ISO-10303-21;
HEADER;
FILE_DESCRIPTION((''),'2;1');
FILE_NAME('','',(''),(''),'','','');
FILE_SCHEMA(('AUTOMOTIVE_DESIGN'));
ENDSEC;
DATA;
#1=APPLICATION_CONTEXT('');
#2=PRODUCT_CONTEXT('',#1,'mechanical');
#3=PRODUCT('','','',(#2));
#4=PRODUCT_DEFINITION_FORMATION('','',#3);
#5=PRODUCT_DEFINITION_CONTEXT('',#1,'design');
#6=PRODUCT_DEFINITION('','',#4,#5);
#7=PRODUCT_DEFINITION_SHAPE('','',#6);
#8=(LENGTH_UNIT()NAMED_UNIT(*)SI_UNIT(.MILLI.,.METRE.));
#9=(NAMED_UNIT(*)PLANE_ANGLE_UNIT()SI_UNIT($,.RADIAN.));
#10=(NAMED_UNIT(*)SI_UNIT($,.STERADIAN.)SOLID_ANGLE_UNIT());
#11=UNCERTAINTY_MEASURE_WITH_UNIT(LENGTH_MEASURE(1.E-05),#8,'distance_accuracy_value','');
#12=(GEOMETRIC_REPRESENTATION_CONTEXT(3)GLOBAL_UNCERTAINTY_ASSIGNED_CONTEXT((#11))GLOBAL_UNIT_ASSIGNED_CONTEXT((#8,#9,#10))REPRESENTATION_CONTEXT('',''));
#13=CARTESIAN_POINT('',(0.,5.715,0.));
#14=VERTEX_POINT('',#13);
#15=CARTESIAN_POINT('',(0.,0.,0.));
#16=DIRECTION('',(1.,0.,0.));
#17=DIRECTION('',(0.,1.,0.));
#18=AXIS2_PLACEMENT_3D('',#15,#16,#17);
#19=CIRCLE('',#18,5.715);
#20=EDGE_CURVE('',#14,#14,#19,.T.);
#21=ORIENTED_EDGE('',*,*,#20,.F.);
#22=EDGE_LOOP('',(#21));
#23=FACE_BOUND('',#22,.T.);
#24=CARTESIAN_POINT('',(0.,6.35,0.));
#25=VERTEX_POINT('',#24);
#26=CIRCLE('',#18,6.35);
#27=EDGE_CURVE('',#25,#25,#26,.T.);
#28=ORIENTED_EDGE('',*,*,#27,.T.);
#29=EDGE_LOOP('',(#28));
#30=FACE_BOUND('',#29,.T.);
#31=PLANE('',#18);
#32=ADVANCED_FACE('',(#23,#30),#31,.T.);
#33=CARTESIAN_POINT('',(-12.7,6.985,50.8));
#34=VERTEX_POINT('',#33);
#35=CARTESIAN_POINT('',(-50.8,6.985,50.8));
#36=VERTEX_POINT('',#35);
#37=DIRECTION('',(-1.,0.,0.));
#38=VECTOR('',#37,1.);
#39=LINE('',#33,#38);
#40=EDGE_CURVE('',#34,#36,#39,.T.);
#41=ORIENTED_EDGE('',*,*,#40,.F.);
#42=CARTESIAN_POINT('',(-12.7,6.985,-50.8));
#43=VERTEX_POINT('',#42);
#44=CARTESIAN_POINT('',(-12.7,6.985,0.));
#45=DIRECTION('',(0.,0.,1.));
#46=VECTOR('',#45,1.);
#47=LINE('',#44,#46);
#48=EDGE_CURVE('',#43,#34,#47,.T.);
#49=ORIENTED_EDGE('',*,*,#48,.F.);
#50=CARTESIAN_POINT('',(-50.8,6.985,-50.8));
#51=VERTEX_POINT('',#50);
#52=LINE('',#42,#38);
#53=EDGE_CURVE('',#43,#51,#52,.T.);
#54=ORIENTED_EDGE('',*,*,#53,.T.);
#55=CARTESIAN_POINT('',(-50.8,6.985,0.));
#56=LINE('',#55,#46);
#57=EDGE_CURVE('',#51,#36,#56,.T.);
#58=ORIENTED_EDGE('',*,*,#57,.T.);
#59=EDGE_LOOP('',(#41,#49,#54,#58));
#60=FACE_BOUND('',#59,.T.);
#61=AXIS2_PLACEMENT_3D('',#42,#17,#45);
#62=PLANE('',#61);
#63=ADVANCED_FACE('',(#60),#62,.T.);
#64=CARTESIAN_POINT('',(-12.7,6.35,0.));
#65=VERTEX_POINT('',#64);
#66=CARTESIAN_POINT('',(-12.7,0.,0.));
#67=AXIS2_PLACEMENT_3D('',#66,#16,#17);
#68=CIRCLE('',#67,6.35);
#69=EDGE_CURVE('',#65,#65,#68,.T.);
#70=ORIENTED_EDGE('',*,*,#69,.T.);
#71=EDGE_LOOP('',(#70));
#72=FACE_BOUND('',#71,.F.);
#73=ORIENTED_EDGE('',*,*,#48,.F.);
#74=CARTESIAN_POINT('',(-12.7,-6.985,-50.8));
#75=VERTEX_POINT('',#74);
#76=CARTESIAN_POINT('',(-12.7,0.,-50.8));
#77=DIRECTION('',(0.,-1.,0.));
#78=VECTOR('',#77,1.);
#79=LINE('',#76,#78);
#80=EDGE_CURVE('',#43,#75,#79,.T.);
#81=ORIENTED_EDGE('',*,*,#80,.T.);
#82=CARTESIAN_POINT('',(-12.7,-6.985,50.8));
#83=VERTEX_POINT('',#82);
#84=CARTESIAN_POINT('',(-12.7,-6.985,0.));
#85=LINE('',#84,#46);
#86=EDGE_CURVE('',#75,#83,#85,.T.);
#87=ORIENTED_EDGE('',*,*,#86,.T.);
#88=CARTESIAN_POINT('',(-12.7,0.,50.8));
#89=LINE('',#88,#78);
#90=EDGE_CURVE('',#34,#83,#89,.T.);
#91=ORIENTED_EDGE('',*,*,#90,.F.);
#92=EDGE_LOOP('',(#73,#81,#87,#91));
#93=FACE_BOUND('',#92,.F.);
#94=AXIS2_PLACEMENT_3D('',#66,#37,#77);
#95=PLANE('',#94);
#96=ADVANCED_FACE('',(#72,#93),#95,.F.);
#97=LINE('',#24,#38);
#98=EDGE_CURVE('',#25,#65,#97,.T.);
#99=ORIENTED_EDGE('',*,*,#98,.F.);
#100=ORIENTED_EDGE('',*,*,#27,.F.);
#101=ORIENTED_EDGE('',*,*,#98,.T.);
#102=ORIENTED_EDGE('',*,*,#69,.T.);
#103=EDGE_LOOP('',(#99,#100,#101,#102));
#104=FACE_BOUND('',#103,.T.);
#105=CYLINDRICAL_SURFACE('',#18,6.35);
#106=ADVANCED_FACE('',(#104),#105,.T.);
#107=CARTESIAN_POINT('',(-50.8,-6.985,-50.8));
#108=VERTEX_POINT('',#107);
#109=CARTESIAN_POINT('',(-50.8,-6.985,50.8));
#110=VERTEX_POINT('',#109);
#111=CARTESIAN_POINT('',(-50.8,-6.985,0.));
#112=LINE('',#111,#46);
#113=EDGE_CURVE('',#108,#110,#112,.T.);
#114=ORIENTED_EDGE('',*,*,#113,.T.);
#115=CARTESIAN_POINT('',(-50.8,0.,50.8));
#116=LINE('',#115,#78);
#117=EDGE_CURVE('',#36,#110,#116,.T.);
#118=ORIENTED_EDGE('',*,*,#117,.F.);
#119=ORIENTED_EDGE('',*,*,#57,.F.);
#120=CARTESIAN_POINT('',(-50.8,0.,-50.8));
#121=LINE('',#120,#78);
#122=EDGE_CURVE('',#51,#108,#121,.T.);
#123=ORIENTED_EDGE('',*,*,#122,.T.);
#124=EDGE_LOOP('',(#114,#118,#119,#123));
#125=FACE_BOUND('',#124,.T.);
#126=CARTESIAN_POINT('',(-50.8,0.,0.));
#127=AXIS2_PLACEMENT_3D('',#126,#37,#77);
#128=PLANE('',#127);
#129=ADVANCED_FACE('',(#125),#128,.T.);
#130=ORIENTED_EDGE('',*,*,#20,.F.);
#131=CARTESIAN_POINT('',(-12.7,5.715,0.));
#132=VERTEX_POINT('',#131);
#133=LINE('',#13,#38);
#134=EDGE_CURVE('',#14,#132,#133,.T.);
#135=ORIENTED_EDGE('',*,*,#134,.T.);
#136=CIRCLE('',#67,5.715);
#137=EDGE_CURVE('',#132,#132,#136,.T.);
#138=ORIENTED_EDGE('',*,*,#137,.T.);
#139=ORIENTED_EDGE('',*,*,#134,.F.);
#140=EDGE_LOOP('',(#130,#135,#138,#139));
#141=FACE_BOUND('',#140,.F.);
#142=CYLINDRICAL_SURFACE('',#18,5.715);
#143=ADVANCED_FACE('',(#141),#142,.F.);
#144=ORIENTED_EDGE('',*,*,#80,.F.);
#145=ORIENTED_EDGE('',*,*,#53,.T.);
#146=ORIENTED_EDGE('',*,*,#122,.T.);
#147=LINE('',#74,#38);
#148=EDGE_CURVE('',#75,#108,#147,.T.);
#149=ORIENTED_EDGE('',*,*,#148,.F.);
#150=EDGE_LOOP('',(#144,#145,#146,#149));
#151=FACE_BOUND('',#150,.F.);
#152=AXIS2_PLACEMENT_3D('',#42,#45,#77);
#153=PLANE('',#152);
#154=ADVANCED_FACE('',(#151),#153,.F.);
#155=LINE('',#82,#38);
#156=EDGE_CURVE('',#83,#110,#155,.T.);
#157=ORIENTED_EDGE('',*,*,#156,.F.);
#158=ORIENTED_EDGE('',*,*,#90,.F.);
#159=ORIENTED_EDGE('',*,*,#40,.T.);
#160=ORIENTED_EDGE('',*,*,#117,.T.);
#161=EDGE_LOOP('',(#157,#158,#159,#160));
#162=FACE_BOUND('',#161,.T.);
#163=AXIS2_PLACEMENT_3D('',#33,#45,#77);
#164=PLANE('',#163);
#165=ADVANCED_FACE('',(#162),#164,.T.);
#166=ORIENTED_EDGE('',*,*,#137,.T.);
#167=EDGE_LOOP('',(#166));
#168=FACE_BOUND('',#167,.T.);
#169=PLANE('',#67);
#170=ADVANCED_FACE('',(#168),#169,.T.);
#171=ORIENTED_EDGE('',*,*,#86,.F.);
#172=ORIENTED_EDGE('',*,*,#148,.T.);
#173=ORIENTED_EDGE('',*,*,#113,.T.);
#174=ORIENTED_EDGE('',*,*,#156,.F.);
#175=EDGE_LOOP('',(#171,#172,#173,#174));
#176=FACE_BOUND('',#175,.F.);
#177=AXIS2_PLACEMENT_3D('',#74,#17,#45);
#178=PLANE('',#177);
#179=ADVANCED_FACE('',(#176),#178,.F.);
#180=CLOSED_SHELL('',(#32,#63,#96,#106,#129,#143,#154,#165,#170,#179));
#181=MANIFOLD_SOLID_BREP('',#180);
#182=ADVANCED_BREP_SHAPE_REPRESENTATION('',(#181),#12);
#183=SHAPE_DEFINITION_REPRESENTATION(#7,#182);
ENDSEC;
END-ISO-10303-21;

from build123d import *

# Parameters (mm, degrees)
F0_R     = 6.35
F1_DEPTH = 12.7
F2_W     = 13.97
F2_H     = 101.6
F3_DEPTH = 38.1
F4_R     = 5.715
F5_DEPTH = 12.7


with BuildPart() as f1:
    # F0 (on Right) → F1 (new body)
    with BuildSketch(Plane.YZ):
        Circle(F0_R)
    extrude(amount=-F1_DEPTH)

    # F2 (on face) → F3 (join)
    with BuildSketch(Plane(origin=(-12.7, 0, 0), x_dir=(0, -1, 0), z_dir=(-1, 0, 0))):
        Rectangle(F2_W, F2_H)
    extrude(amount=F3_DEPTH)

    # F4 (on face) → F5 (cut)
    with BuildSketch(Plane.YZ):
        Circle(F4_R)
    extrude(amount=-F5_DEPTH, mode=Mode.SUBTRACT)


solid = f1.part
